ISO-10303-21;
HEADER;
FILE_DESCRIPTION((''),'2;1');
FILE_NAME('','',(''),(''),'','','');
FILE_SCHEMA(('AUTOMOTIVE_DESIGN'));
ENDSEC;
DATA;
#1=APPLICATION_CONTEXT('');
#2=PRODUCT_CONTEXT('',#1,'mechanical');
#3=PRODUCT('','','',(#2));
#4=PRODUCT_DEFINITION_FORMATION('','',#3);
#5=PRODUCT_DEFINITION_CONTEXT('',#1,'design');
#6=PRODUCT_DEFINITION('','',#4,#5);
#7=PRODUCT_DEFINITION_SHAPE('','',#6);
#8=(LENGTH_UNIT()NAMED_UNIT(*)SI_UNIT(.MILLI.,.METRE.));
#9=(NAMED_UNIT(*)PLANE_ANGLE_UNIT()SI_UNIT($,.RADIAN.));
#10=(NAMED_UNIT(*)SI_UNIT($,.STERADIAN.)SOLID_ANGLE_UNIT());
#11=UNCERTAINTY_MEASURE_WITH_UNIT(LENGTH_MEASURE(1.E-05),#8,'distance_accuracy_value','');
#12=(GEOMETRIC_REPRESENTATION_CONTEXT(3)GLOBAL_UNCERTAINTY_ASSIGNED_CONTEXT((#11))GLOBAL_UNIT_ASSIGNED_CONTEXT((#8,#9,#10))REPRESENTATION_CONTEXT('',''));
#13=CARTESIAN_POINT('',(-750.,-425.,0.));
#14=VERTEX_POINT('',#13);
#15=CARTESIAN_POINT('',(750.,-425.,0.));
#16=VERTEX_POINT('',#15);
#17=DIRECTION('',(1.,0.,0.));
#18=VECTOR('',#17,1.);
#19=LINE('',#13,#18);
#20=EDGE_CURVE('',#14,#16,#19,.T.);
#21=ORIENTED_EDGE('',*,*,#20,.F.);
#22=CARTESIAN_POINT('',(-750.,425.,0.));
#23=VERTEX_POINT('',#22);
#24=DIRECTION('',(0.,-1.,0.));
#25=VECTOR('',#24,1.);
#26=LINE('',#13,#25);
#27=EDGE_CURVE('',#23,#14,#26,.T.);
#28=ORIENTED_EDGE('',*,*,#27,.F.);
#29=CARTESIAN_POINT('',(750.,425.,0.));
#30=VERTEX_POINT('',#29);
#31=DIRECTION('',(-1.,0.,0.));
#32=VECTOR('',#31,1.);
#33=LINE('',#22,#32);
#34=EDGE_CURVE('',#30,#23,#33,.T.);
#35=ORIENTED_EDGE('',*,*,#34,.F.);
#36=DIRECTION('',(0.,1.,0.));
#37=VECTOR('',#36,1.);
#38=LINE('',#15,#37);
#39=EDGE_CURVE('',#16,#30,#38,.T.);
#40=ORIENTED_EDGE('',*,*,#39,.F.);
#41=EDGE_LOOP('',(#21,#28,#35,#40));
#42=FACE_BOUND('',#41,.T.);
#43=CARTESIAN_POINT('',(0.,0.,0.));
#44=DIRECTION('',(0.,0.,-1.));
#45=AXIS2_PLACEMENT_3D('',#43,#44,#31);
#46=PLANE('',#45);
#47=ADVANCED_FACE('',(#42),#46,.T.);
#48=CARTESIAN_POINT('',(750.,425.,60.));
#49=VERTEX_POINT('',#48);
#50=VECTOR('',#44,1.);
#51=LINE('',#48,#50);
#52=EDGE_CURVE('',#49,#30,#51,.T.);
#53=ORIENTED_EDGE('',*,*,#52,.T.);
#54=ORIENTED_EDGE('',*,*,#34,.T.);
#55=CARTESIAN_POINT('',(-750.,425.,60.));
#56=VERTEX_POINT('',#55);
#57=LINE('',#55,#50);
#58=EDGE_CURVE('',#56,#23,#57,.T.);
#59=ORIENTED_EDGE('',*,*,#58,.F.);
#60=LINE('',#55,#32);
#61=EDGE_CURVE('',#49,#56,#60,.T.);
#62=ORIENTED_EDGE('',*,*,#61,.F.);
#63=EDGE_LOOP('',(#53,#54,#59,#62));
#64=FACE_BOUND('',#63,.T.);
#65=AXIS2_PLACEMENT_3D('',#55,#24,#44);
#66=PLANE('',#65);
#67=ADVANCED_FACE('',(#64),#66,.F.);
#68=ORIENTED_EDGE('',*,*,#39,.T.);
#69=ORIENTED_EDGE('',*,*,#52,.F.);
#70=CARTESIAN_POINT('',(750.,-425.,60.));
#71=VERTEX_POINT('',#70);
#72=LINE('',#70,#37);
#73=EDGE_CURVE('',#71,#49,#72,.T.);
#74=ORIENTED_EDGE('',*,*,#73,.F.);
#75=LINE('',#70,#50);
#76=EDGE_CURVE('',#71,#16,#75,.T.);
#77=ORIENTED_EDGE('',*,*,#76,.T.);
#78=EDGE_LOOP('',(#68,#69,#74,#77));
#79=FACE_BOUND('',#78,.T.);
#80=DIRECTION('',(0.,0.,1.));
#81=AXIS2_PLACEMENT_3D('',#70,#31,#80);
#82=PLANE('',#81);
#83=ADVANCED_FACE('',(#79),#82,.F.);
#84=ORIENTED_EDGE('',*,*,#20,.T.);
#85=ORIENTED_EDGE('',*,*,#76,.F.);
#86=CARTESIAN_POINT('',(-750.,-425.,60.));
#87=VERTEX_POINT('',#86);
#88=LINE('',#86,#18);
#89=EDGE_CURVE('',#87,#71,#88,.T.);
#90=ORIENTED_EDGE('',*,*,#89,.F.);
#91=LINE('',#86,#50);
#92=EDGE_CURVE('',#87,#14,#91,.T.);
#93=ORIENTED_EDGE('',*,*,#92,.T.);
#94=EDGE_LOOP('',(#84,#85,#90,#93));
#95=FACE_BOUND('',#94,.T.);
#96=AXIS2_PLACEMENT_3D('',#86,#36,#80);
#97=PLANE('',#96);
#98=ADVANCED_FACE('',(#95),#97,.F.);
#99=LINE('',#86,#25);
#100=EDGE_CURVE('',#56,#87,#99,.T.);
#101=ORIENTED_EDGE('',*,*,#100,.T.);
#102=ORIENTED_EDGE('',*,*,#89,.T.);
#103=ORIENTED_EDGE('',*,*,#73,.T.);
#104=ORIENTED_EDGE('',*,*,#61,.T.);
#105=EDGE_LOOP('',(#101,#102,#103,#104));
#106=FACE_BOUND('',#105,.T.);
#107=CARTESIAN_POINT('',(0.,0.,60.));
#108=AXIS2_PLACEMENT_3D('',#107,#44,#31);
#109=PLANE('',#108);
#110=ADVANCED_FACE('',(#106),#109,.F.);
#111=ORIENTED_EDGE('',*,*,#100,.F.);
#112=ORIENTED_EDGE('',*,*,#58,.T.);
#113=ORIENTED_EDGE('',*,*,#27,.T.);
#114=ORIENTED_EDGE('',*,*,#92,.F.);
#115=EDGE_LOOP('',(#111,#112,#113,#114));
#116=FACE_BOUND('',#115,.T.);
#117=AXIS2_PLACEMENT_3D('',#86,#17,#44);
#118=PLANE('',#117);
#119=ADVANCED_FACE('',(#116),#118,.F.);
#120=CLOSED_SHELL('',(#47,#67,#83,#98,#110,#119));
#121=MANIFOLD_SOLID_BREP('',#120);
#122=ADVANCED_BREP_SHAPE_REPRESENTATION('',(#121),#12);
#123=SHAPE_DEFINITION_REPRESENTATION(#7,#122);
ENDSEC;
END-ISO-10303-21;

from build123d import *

# Parameters (mm, degrees)
SKETCH_1_W      = 1500
SKETCH_1_H      = 850
EXTRUDE_1_DEPTH = 60


with BuildPart() as part:
    # 草图1 → 凸台-拉伸1 (new body)
    with BuildSketch(Plane.XY):
        Rectangle(SKETCH_1_W, SKETCH_1_H)
    extrude(amount=EXTRUDE_1_DEPTH)


solid = part.part
